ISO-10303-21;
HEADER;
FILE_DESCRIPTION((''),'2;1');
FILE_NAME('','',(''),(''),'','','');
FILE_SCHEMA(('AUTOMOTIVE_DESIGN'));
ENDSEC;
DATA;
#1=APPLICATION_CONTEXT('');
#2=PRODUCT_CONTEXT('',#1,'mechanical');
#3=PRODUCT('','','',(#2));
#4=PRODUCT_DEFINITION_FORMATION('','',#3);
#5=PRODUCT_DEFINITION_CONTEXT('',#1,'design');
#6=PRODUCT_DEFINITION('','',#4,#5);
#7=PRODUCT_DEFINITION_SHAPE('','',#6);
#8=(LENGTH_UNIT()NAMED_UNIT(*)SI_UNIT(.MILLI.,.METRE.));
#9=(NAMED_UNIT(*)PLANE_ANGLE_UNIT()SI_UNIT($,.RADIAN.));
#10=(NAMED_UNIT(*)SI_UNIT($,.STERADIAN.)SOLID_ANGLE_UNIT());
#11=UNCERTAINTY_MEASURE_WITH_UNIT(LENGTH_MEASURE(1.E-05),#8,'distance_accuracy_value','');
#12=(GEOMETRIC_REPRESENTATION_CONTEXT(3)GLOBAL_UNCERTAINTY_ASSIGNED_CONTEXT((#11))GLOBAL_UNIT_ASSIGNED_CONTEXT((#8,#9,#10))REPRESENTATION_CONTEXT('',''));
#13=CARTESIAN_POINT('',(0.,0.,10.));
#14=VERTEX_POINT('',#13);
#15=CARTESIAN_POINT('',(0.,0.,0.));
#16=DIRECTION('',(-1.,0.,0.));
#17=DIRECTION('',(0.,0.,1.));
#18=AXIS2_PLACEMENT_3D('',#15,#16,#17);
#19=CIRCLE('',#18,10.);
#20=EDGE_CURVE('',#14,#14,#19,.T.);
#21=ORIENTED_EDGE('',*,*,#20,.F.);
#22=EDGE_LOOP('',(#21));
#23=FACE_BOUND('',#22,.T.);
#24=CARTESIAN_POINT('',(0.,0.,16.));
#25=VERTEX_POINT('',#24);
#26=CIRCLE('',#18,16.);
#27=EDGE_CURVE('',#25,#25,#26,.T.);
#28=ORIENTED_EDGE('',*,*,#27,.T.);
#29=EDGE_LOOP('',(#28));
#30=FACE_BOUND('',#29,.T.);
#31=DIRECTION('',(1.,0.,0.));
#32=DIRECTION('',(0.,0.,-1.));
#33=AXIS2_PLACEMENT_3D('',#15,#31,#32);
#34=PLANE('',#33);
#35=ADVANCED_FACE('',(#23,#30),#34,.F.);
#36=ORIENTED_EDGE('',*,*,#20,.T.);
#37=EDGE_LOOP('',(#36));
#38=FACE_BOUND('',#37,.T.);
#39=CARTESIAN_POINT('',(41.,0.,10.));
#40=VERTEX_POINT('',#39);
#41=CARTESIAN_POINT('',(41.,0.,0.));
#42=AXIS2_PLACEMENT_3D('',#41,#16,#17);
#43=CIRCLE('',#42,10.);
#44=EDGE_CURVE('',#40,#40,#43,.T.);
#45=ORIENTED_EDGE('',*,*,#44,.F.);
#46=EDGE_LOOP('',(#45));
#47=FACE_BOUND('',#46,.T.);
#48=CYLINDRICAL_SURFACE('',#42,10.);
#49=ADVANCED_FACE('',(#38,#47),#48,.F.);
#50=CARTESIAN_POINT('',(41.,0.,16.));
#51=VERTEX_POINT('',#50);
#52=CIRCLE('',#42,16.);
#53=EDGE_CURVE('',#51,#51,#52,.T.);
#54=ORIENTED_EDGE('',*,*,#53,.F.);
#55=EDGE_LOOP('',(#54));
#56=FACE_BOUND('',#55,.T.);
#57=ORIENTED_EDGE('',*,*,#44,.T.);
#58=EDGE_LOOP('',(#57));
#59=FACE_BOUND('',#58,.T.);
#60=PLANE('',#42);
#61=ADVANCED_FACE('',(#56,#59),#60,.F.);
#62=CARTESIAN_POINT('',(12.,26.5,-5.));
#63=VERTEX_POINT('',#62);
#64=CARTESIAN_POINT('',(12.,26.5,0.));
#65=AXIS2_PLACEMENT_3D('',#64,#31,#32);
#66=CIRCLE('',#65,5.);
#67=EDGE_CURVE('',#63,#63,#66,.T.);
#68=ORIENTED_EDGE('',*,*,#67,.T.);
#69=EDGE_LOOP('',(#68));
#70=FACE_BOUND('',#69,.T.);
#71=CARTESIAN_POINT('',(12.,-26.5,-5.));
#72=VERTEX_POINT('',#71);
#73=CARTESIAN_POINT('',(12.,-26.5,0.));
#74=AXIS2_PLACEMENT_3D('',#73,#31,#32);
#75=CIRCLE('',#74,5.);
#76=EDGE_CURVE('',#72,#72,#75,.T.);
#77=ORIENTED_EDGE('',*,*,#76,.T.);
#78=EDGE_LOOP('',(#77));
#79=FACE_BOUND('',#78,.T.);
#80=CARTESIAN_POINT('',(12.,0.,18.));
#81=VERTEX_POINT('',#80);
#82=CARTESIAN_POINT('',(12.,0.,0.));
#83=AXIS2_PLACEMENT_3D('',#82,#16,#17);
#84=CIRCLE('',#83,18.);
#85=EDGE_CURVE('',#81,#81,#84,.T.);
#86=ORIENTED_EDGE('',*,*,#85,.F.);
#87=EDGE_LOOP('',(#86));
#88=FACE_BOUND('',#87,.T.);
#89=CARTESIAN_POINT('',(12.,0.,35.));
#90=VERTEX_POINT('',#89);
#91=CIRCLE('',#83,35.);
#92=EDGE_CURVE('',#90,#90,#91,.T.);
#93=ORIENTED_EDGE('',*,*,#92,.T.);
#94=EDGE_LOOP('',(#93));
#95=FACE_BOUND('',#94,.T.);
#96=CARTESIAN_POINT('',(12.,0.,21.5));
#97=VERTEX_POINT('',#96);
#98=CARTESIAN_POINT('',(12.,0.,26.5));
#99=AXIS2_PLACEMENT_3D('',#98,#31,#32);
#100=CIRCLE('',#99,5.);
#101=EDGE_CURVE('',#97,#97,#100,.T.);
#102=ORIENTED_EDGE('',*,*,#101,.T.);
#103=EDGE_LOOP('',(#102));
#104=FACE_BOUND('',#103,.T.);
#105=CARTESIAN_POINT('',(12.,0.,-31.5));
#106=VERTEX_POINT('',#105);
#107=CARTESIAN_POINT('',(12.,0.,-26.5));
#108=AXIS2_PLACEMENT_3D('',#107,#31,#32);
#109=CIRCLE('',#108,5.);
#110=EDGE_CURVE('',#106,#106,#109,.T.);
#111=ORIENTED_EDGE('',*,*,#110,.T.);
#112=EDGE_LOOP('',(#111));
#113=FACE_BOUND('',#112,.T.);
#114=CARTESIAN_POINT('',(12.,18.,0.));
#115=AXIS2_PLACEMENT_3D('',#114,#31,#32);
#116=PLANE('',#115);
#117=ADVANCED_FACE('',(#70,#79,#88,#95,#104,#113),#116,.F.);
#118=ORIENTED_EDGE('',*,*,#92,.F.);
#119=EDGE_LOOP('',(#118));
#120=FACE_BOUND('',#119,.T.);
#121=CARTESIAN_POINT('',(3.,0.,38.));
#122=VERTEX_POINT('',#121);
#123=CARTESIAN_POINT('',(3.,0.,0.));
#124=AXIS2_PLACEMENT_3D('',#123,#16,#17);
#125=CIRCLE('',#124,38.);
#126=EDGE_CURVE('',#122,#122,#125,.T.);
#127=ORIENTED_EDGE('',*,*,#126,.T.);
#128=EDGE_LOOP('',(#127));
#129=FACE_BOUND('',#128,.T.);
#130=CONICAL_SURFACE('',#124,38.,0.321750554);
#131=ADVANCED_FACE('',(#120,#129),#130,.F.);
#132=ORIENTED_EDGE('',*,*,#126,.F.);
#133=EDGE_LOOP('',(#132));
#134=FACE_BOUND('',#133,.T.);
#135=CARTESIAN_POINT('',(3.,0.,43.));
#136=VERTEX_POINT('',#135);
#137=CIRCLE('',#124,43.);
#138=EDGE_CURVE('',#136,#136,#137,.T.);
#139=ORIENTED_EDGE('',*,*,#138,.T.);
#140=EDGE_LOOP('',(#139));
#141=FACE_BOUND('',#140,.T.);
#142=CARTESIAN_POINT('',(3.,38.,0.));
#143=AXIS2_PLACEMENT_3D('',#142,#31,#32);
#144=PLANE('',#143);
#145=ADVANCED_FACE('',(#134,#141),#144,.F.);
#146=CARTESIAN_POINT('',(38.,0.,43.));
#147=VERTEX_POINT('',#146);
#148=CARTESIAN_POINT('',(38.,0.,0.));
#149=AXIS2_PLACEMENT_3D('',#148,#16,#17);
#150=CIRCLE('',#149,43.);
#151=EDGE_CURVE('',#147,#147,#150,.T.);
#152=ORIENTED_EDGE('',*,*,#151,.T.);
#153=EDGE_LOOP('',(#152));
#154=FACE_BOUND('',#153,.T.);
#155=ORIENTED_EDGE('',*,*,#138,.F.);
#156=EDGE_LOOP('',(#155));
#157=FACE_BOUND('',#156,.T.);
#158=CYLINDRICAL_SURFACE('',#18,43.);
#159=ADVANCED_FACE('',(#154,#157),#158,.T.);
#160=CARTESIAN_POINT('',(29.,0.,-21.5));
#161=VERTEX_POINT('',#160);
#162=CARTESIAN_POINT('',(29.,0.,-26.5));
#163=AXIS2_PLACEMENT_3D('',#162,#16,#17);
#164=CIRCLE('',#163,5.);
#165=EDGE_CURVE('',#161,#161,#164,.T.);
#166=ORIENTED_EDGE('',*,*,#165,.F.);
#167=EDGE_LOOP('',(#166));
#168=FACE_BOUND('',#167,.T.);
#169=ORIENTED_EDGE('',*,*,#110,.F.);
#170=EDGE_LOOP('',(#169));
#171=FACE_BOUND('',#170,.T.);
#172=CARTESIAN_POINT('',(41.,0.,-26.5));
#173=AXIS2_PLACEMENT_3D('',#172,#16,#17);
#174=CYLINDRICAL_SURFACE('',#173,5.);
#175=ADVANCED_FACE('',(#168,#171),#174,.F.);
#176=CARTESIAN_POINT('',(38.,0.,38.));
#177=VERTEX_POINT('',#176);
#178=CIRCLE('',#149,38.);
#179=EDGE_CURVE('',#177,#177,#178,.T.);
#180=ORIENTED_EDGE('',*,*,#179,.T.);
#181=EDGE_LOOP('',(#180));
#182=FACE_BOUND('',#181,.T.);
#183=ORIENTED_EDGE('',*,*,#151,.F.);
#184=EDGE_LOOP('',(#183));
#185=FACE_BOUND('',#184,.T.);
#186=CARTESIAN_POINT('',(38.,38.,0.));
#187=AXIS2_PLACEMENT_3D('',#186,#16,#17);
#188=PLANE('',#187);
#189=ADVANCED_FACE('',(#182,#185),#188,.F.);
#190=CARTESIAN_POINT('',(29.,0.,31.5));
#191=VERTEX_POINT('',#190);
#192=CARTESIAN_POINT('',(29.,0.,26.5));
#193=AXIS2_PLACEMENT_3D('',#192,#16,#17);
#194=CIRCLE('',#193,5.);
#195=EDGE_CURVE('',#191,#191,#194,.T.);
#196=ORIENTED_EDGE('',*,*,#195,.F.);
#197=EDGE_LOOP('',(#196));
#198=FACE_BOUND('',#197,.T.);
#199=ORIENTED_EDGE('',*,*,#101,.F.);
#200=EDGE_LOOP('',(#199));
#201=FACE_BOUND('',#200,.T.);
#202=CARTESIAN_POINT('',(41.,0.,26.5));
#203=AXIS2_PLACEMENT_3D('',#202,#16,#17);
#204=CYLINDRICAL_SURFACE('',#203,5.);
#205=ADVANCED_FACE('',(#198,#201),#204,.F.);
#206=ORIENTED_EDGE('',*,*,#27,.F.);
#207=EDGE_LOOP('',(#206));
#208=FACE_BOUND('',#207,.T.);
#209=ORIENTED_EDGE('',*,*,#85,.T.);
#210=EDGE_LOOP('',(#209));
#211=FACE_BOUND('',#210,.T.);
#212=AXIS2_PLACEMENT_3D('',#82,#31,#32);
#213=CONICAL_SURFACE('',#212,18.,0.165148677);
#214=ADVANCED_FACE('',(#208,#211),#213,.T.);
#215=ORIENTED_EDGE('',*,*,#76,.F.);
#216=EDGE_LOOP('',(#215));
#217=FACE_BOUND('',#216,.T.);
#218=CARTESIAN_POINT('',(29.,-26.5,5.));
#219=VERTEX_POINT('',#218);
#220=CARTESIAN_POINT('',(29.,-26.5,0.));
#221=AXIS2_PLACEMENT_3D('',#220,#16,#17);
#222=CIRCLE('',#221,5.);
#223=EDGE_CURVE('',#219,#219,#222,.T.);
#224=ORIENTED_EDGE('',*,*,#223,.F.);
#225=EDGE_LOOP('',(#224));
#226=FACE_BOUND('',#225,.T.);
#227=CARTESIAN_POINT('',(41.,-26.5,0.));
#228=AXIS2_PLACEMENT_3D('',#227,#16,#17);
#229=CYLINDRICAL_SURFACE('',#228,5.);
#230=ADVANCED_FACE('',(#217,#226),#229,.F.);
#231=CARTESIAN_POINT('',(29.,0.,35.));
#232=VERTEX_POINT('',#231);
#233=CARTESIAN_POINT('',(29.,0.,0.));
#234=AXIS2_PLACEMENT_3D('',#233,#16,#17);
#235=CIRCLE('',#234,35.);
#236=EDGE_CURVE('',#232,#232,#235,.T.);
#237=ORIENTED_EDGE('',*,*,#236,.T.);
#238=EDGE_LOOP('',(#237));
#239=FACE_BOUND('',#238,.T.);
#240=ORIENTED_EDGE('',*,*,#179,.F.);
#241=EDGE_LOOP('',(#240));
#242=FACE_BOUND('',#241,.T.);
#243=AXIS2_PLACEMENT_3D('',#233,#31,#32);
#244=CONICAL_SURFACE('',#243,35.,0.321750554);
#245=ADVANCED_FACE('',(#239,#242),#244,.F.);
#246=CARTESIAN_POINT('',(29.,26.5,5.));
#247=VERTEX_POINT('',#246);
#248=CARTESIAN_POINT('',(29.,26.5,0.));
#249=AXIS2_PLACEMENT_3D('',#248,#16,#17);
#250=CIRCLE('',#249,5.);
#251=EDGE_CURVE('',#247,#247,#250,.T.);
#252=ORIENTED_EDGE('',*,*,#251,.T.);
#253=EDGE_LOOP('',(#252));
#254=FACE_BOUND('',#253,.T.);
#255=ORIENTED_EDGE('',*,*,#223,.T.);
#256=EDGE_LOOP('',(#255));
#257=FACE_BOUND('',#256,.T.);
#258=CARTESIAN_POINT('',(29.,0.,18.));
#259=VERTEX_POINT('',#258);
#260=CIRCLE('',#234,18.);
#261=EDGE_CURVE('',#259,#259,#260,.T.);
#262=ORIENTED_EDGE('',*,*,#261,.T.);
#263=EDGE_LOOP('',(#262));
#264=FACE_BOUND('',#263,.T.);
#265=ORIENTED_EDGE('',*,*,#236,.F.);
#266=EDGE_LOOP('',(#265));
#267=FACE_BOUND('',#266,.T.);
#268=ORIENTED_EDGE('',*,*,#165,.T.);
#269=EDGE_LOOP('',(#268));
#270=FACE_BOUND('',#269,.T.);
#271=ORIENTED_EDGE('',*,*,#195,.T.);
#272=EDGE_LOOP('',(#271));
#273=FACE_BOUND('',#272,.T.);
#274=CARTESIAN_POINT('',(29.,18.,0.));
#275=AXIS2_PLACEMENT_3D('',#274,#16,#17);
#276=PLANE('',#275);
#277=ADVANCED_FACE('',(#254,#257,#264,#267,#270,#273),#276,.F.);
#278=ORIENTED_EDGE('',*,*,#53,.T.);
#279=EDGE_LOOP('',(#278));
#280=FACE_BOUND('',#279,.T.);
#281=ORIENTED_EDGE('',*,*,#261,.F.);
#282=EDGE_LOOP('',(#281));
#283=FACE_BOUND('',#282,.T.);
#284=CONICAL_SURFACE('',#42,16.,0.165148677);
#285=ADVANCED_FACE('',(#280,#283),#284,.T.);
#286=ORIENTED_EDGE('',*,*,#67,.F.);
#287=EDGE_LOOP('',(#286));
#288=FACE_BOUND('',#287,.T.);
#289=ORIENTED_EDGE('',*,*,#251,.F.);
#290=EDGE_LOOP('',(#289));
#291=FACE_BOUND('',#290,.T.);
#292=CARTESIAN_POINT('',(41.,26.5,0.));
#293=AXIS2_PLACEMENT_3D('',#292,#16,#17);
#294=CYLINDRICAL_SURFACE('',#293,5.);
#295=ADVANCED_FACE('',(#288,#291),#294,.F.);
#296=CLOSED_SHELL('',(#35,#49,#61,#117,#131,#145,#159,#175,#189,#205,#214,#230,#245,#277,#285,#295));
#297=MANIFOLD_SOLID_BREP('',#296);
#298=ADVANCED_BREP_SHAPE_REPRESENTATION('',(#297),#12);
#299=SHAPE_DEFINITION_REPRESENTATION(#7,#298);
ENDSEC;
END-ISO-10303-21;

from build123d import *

# Parameters (mm, degrees)
SKETCH2_R          = 10
SKETCH2_R_2        = 5
CUT_EXTRUDE1_DEPTH = 42


with BuildPart() as part:
    # Sketch1 → Revolve1 (revolve)
    with BuildSketch(Plane.XY):
        Polygon((0, 0), (0, 16), (12, 18), (12, 35), (3, 38), (3, 43), (38, 43), (38, 38), (29, 35), (29, 18), (41, 16), (41, 0), align=None)
    revolve(axis=Axis((0, 0, 0), (1, 0, 0)))

    # Sketch2 → Cut-Extrude1 (cut, through all)
    with BuildSketch(Plane.ZY):
        Circle(SKETCH2_R)
        with Locations((0, 26.5)):
            Circle(SKETCH2_R_2)
        with Locations((26.5, 0)):
            Circle(SKETCH2_R_2)
        with Locations((0, -26.5)):
            Circle(SKETCH2_R_2)
        with Locations((-26.5, 0)):
            Circle(SKETCH2_R_2)
    extrude(amount=-CUT_EXTRUDE1_DEPTH, mode=Mode.SUBTRACT)


solid = part.part
